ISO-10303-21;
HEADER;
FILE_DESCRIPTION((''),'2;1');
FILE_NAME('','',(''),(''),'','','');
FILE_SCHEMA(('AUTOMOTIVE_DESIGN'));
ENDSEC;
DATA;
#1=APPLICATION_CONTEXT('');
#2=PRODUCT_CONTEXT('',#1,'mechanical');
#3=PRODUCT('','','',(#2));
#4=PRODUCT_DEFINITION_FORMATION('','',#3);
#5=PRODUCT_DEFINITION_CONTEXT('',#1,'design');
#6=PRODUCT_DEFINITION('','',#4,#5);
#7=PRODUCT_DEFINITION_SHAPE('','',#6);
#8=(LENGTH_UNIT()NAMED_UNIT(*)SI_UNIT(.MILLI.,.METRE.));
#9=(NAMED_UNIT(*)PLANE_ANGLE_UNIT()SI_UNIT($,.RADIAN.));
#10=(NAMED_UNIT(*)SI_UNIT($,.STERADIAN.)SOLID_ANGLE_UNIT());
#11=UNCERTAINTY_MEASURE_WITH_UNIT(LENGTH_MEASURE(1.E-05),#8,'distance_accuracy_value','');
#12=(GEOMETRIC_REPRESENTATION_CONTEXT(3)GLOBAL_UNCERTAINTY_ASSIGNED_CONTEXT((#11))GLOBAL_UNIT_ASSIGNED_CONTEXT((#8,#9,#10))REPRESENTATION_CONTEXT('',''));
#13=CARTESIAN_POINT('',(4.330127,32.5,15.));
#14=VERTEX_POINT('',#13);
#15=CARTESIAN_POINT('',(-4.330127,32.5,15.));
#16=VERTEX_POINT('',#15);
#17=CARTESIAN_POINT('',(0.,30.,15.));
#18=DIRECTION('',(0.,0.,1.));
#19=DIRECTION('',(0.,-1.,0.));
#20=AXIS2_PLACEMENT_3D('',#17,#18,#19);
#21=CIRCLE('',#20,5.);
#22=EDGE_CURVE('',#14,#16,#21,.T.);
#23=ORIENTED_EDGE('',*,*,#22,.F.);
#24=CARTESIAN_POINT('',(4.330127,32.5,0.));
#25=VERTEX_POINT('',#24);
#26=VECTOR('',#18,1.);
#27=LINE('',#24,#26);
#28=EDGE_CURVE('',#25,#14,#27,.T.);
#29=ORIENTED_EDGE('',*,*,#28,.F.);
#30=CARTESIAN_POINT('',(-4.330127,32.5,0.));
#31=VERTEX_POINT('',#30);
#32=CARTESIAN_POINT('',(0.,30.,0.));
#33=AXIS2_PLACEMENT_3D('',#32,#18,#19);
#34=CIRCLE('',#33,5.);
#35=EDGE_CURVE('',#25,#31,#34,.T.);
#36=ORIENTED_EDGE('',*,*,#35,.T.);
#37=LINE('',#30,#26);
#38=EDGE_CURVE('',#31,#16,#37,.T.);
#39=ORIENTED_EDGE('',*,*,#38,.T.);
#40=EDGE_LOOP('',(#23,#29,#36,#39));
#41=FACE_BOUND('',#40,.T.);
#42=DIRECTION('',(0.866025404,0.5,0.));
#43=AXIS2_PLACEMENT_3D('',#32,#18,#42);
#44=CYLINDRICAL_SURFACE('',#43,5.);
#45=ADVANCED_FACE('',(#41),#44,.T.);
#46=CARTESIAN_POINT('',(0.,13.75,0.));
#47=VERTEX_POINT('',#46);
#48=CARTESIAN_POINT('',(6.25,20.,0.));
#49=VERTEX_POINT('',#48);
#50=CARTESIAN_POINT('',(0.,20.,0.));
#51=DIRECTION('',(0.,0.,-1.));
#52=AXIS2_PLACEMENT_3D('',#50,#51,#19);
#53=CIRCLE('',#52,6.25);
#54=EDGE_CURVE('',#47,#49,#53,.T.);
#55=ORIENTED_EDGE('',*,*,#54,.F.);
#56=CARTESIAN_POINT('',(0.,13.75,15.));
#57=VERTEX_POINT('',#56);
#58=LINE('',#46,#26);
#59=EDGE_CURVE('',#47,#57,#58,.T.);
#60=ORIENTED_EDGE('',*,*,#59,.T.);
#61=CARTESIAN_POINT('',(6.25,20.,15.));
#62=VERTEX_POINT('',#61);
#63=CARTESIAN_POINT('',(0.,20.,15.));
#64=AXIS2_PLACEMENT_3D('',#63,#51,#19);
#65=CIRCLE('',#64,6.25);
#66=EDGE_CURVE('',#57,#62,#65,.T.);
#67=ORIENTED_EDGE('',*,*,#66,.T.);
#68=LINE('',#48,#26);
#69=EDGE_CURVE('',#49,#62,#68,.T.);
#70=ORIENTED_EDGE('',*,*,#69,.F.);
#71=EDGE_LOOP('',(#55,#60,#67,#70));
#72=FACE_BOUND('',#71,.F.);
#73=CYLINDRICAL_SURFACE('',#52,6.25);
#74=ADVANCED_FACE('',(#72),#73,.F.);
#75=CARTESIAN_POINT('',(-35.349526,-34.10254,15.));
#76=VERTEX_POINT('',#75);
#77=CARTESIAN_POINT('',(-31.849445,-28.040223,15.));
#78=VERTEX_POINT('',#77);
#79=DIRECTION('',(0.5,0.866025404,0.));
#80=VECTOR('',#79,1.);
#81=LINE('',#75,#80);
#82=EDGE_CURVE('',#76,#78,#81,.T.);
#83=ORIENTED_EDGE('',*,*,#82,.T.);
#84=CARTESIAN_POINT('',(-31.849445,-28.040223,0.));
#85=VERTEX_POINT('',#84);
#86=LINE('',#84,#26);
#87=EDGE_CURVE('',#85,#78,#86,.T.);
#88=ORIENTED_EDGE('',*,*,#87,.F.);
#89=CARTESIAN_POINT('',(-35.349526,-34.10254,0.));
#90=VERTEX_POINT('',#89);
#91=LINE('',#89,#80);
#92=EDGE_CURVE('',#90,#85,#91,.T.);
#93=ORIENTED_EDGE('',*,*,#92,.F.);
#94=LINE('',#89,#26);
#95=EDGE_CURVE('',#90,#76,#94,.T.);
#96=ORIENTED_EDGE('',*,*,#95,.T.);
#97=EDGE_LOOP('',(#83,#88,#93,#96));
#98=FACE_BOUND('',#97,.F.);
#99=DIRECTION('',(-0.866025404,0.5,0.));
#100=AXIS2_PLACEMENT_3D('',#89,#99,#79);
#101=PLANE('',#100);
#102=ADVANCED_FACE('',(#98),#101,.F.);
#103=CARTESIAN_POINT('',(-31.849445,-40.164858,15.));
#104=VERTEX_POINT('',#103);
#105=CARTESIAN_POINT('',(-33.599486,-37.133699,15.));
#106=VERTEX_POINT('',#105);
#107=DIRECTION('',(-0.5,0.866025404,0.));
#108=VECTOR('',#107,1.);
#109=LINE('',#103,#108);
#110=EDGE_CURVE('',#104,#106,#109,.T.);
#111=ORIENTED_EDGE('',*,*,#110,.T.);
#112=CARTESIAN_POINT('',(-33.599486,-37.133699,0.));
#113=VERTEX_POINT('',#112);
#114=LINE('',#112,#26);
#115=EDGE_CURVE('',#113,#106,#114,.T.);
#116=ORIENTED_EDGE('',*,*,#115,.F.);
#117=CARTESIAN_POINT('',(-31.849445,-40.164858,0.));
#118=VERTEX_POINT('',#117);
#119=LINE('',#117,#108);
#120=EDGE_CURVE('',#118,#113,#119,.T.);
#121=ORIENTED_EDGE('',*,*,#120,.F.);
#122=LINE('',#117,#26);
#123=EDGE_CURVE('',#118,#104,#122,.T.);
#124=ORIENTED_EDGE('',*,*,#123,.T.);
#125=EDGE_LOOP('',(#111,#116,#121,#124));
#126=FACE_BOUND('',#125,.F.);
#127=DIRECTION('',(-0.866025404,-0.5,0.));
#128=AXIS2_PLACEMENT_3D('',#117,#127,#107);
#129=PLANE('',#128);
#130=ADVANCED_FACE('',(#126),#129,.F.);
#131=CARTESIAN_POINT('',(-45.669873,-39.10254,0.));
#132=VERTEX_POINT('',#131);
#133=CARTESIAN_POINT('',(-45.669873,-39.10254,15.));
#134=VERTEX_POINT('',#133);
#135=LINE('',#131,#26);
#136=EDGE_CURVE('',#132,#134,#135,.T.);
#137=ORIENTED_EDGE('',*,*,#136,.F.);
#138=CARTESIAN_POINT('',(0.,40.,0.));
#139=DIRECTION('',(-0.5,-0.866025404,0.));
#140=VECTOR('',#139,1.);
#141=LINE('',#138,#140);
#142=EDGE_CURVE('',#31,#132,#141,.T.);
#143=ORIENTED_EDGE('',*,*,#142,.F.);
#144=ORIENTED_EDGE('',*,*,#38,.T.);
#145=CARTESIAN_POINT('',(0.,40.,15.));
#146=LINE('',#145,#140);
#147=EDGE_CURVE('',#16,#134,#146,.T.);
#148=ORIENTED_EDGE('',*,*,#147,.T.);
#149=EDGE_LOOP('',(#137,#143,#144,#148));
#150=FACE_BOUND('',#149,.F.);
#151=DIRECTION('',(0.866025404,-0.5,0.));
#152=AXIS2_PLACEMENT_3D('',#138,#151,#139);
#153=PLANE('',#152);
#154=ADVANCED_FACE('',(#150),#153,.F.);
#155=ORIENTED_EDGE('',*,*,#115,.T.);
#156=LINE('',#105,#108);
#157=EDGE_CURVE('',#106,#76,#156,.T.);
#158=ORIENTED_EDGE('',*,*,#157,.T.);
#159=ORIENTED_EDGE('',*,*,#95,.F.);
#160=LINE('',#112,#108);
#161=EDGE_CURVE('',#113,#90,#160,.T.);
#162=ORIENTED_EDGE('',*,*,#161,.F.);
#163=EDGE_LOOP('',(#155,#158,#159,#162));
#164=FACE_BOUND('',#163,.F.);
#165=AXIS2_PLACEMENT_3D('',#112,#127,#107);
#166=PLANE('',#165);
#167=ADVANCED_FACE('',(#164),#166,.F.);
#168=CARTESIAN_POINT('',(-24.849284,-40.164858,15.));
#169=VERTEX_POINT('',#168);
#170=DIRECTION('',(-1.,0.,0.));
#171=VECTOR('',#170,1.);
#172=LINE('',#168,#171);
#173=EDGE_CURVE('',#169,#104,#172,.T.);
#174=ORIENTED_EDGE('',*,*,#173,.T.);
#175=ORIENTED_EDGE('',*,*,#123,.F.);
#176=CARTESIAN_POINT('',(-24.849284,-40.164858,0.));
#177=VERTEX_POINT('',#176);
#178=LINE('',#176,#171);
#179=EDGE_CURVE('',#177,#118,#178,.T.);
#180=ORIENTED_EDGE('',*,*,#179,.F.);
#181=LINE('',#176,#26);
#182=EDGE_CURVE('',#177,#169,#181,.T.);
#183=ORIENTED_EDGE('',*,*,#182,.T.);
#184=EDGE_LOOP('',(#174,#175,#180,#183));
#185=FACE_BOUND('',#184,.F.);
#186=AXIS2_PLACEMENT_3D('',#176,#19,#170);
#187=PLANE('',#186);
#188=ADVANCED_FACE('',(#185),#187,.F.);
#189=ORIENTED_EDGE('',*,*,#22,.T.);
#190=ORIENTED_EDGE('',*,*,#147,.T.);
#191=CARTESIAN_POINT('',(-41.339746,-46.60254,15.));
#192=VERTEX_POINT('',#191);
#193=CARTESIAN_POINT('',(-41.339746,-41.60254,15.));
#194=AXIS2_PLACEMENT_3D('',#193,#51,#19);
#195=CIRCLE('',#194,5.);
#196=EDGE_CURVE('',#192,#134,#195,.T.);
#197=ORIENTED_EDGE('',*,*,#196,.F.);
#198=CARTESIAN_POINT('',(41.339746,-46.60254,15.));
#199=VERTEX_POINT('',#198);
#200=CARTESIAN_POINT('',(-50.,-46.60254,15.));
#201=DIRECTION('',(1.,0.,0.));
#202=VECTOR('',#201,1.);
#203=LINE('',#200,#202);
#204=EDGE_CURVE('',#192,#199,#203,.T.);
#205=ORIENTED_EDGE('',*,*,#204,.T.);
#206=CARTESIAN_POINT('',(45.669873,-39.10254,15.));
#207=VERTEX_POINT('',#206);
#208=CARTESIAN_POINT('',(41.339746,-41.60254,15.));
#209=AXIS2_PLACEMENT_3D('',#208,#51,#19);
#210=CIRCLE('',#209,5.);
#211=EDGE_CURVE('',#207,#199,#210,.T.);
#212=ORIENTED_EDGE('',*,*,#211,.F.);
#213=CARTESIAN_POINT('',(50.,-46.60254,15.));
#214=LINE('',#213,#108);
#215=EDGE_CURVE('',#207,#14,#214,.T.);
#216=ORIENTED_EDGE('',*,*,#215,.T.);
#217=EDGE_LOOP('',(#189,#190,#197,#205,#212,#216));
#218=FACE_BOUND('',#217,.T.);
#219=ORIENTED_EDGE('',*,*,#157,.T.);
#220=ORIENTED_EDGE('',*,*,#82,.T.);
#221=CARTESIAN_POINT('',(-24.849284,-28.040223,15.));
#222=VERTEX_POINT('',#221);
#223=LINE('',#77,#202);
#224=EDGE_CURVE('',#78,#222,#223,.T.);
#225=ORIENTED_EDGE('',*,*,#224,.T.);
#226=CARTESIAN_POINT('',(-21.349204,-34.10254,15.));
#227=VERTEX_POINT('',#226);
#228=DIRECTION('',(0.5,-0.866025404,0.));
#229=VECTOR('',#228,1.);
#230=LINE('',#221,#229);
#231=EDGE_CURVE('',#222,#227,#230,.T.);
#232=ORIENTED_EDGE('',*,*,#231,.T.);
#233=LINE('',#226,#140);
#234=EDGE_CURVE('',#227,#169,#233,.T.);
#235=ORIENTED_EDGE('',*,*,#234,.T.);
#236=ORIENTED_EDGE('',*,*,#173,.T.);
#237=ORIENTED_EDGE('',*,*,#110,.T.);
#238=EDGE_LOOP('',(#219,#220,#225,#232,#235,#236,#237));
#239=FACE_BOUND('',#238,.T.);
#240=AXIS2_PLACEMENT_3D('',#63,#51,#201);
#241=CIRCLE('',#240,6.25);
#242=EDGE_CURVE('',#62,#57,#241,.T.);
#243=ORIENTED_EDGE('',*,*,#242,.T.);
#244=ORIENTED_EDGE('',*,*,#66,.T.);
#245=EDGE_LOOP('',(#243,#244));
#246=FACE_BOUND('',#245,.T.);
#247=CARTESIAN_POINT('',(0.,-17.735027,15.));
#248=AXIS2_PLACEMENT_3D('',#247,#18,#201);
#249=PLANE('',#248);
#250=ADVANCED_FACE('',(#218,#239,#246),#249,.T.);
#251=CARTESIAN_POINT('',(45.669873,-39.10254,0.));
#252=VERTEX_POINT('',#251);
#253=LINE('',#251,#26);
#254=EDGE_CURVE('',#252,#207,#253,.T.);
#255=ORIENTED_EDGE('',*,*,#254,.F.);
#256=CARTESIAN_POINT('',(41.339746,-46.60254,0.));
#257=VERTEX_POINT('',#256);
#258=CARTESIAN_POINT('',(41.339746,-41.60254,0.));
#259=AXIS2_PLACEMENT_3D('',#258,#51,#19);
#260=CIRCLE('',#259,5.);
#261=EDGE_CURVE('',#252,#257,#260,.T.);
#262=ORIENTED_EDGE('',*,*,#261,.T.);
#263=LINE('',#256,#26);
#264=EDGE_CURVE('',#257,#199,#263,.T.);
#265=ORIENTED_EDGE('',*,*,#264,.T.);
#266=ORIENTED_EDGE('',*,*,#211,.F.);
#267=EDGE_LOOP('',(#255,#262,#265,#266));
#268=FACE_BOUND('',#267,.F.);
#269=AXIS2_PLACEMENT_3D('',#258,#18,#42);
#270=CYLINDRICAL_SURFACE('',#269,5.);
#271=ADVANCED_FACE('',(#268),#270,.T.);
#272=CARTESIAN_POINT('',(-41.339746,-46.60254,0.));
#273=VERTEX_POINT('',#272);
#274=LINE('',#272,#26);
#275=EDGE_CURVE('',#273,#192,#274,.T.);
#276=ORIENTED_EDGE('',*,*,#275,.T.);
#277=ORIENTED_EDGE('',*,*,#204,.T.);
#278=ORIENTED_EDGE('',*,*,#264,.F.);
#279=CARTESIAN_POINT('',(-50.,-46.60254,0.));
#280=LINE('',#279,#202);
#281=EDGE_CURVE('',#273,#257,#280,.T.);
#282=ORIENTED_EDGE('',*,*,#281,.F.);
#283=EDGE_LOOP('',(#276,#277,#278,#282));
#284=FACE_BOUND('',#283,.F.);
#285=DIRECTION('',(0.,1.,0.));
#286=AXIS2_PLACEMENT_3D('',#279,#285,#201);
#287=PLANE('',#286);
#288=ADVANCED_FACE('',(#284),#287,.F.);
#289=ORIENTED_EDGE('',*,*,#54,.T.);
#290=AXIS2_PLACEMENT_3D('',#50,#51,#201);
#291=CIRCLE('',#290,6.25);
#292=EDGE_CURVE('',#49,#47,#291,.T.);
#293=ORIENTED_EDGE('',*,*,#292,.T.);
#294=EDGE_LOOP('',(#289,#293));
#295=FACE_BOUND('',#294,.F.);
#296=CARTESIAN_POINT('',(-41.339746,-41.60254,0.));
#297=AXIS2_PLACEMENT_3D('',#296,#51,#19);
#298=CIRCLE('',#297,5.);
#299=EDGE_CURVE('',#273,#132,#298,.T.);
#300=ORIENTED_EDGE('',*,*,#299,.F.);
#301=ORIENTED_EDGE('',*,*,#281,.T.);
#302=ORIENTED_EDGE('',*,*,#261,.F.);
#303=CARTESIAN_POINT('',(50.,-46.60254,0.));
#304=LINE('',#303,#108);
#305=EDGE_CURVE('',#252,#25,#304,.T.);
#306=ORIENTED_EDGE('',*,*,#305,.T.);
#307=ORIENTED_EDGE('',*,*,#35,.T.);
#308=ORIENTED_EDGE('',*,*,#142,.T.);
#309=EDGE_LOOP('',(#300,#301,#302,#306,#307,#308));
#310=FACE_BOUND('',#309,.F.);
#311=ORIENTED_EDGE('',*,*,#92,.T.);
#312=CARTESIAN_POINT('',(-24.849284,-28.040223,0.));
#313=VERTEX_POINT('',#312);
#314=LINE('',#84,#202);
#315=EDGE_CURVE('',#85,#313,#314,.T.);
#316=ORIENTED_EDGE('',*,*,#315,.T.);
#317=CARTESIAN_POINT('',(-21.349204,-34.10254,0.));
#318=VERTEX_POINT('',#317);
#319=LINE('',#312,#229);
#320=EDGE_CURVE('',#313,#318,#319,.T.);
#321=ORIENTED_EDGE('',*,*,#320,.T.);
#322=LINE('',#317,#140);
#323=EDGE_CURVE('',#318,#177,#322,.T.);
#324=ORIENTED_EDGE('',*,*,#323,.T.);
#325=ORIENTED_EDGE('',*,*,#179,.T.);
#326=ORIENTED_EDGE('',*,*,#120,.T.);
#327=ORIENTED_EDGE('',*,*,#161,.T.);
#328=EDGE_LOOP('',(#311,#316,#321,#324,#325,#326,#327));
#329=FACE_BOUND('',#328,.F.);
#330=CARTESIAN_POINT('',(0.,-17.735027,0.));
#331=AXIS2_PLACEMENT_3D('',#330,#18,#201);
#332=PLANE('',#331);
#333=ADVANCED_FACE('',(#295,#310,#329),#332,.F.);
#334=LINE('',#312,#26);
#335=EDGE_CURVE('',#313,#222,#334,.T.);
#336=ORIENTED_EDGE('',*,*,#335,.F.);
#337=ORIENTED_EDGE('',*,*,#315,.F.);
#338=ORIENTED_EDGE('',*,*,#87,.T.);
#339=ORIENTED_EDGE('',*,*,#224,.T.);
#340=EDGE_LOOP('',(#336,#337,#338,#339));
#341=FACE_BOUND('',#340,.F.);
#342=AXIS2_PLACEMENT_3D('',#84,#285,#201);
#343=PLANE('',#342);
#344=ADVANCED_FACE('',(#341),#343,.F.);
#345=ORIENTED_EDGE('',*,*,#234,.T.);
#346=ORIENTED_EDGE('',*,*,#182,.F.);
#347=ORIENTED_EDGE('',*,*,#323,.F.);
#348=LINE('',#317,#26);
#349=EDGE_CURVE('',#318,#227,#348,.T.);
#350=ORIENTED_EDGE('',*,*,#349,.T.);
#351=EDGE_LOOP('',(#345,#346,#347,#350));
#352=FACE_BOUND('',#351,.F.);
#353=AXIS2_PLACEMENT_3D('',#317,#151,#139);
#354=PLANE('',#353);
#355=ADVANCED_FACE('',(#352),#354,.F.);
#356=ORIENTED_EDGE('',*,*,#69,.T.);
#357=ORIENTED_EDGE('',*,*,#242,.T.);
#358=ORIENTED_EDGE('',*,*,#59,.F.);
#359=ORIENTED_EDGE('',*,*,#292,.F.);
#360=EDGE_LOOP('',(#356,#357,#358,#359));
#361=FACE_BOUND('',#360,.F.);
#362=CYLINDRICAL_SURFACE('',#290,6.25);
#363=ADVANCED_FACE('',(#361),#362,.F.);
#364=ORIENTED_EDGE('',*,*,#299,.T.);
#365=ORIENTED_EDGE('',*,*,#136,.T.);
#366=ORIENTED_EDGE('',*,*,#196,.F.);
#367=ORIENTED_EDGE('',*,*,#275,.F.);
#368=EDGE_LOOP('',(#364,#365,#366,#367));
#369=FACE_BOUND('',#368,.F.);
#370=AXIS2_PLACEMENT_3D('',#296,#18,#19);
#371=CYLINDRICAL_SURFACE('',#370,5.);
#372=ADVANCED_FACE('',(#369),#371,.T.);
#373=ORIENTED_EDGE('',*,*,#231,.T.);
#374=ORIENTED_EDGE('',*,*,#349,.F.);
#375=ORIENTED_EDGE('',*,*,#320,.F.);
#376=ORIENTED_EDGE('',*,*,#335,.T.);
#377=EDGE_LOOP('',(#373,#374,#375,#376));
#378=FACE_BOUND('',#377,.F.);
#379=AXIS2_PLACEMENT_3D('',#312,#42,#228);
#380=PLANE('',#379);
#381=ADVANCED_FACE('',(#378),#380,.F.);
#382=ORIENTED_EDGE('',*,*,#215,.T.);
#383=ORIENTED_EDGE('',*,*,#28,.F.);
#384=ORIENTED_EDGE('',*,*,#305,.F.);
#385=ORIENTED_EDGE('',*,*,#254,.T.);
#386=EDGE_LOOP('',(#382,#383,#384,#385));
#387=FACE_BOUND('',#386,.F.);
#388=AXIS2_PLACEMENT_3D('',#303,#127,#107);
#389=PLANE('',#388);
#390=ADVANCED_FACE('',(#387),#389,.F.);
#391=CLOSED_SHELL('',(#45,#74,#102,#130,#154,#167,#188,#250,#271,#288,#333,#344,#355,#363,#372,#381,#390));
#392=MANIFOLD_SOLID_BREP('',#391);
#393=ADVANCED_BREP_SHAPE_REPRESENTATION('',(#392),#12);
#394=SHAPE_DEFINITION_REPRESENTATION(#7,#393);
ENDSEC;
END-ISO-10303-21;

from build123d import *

# Parameters (mm, degrees)
F1_DEPTH = 15
F2_R     = 5


with BuildPart() as f1:
    # F0 (on Top) → F1 (new body)
    with BuildSketch(Plane.XY):
        Polygon((50, -46.6025403784), (0, 40), (-50, -46.6025403784), align=None)
        Polygon((-31.8494454538, -40.1648577189), (-33.599485728, -37.1336990487), (-35.3495260022, -34.1025403784), (-31.8494454538, -28.040223038), (-24.849284357, -28.040223038), (-21.3492038085, -34.1025403784), (-24.849284357, -40.1648577189), align=None, mode=Mode.SUBTRACT)
        with BuildLine():
            ThreePointArc((0, 13.75), (-4.4194173824, 24.4194173824), (6.25, 20))
            ThreePointArc((6.25, 20), (4.4194173824, 15.5805826176), (0, 13.75))
        make_face(mode=Mode.SUBTRACT)
    extrude(amount=F1_DEPTH)

    # F2
    f2_edges = [f1.edges().sort_by_distance(p)[0] for p in [
        (-50, -46.60254, 7.5),
        (50, -46.60254, 7.5),
        (0, 40, 7.5),
    ]]
    fillet(f2_edges, radius=F2_R)


solid = f1.part
